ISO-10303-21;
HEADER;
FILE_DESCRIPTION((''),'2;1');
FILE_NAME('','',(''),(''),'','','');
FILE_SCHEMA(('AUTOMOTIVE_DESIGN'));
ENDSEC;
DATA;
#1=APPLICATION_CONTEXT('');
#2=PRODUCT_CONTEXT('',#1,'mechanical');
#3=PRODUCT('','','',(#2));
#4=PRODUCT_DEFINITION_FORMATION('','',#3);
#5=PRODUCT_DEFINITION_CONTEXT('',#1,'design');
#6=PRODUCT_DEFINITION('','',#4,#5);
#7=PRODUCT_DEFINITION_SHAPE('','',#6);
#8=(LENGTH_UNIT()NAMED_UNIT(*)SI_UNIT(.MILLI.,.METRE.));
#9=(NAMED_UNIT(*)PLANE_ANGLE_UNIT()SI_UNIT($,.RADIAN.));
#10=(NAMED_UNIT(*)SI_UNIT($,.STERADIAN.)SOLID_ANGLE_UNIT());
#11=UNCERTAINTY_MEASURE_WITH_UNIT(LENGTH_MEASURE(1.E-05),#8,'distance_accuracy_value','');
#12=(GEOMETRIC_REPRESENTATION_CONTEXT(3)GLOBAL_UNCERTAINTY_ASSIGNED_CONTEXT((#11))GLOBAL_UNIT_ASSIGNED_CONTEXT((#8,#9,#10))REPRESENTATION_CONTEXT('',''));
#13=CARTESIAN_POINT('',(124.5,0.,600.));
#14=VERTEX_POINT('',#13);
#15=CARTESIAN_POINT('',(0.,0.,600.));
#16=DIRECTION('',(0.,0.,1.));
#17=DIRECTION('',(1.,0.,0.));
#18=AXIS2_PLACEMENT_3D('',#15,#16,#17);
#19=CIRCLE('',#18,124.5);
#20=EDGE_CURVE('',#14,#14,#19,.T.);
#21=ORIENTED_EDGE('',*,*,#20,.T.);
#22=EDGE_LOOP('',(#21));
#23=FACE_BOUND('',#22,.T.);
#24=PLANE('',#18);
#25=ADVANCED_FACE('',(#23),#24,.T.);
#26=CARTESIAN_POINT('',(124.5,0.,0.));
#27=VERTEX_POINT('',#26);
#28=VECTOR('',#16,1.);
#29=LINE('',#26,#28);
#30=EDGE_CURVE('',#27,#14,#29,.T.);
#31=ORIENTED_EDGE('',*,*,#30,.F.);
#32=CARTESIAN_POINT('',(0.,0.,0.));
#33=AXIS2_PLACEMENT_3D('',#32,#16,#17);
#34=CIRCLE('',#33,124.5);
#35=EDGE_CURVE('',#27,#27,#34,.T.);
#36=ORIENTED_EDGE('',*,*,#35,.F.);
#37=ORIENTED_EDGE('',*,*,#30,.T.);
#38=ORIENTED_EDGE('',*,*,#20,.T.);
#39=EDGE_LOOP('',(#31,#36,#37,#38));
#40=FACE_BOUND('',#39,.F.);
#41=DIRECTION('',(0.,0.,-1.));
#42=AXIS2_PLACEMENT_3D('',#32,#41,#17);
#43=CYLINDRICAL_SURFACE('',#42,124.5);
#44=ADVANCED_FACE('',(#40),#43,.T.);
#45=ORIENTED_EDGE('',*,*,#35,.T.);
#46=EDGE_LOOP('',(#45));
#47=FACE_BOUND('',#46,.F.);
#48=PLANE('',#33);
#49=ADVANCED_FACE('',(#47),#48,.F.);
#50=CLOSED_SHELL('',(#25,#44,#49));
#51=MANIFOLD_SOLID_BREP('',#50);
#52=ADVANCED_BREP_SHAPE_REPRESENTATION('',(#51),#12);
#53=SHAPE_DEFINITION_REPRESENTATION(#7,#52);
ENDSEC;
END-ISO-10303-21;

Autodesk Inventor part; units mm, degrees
ref_plane "YZ Plane" through (0, 0, 0) normal (1, 0, 0) x (0, 1, 0)
ref_plane "XZ Plane" through (0, 0, 0) normal (0, 1, 0) x (-1, 0, 0)
ref_plane "XY Plane" through (0, 0, 0) normal (0, 0, 1) x (1, 0, 0)
sketch "Boceto1" plane through (0, 0, 0) normal (0, 0, 1) x (1, 0, 0)
  circle A0 centre (0, 0) radius 124.5
  dimension "d0" = 249
extrude "Extrusión1" add sketch "Boceto1" along normal blind 600
properties part number "pasador_undimotriz"
